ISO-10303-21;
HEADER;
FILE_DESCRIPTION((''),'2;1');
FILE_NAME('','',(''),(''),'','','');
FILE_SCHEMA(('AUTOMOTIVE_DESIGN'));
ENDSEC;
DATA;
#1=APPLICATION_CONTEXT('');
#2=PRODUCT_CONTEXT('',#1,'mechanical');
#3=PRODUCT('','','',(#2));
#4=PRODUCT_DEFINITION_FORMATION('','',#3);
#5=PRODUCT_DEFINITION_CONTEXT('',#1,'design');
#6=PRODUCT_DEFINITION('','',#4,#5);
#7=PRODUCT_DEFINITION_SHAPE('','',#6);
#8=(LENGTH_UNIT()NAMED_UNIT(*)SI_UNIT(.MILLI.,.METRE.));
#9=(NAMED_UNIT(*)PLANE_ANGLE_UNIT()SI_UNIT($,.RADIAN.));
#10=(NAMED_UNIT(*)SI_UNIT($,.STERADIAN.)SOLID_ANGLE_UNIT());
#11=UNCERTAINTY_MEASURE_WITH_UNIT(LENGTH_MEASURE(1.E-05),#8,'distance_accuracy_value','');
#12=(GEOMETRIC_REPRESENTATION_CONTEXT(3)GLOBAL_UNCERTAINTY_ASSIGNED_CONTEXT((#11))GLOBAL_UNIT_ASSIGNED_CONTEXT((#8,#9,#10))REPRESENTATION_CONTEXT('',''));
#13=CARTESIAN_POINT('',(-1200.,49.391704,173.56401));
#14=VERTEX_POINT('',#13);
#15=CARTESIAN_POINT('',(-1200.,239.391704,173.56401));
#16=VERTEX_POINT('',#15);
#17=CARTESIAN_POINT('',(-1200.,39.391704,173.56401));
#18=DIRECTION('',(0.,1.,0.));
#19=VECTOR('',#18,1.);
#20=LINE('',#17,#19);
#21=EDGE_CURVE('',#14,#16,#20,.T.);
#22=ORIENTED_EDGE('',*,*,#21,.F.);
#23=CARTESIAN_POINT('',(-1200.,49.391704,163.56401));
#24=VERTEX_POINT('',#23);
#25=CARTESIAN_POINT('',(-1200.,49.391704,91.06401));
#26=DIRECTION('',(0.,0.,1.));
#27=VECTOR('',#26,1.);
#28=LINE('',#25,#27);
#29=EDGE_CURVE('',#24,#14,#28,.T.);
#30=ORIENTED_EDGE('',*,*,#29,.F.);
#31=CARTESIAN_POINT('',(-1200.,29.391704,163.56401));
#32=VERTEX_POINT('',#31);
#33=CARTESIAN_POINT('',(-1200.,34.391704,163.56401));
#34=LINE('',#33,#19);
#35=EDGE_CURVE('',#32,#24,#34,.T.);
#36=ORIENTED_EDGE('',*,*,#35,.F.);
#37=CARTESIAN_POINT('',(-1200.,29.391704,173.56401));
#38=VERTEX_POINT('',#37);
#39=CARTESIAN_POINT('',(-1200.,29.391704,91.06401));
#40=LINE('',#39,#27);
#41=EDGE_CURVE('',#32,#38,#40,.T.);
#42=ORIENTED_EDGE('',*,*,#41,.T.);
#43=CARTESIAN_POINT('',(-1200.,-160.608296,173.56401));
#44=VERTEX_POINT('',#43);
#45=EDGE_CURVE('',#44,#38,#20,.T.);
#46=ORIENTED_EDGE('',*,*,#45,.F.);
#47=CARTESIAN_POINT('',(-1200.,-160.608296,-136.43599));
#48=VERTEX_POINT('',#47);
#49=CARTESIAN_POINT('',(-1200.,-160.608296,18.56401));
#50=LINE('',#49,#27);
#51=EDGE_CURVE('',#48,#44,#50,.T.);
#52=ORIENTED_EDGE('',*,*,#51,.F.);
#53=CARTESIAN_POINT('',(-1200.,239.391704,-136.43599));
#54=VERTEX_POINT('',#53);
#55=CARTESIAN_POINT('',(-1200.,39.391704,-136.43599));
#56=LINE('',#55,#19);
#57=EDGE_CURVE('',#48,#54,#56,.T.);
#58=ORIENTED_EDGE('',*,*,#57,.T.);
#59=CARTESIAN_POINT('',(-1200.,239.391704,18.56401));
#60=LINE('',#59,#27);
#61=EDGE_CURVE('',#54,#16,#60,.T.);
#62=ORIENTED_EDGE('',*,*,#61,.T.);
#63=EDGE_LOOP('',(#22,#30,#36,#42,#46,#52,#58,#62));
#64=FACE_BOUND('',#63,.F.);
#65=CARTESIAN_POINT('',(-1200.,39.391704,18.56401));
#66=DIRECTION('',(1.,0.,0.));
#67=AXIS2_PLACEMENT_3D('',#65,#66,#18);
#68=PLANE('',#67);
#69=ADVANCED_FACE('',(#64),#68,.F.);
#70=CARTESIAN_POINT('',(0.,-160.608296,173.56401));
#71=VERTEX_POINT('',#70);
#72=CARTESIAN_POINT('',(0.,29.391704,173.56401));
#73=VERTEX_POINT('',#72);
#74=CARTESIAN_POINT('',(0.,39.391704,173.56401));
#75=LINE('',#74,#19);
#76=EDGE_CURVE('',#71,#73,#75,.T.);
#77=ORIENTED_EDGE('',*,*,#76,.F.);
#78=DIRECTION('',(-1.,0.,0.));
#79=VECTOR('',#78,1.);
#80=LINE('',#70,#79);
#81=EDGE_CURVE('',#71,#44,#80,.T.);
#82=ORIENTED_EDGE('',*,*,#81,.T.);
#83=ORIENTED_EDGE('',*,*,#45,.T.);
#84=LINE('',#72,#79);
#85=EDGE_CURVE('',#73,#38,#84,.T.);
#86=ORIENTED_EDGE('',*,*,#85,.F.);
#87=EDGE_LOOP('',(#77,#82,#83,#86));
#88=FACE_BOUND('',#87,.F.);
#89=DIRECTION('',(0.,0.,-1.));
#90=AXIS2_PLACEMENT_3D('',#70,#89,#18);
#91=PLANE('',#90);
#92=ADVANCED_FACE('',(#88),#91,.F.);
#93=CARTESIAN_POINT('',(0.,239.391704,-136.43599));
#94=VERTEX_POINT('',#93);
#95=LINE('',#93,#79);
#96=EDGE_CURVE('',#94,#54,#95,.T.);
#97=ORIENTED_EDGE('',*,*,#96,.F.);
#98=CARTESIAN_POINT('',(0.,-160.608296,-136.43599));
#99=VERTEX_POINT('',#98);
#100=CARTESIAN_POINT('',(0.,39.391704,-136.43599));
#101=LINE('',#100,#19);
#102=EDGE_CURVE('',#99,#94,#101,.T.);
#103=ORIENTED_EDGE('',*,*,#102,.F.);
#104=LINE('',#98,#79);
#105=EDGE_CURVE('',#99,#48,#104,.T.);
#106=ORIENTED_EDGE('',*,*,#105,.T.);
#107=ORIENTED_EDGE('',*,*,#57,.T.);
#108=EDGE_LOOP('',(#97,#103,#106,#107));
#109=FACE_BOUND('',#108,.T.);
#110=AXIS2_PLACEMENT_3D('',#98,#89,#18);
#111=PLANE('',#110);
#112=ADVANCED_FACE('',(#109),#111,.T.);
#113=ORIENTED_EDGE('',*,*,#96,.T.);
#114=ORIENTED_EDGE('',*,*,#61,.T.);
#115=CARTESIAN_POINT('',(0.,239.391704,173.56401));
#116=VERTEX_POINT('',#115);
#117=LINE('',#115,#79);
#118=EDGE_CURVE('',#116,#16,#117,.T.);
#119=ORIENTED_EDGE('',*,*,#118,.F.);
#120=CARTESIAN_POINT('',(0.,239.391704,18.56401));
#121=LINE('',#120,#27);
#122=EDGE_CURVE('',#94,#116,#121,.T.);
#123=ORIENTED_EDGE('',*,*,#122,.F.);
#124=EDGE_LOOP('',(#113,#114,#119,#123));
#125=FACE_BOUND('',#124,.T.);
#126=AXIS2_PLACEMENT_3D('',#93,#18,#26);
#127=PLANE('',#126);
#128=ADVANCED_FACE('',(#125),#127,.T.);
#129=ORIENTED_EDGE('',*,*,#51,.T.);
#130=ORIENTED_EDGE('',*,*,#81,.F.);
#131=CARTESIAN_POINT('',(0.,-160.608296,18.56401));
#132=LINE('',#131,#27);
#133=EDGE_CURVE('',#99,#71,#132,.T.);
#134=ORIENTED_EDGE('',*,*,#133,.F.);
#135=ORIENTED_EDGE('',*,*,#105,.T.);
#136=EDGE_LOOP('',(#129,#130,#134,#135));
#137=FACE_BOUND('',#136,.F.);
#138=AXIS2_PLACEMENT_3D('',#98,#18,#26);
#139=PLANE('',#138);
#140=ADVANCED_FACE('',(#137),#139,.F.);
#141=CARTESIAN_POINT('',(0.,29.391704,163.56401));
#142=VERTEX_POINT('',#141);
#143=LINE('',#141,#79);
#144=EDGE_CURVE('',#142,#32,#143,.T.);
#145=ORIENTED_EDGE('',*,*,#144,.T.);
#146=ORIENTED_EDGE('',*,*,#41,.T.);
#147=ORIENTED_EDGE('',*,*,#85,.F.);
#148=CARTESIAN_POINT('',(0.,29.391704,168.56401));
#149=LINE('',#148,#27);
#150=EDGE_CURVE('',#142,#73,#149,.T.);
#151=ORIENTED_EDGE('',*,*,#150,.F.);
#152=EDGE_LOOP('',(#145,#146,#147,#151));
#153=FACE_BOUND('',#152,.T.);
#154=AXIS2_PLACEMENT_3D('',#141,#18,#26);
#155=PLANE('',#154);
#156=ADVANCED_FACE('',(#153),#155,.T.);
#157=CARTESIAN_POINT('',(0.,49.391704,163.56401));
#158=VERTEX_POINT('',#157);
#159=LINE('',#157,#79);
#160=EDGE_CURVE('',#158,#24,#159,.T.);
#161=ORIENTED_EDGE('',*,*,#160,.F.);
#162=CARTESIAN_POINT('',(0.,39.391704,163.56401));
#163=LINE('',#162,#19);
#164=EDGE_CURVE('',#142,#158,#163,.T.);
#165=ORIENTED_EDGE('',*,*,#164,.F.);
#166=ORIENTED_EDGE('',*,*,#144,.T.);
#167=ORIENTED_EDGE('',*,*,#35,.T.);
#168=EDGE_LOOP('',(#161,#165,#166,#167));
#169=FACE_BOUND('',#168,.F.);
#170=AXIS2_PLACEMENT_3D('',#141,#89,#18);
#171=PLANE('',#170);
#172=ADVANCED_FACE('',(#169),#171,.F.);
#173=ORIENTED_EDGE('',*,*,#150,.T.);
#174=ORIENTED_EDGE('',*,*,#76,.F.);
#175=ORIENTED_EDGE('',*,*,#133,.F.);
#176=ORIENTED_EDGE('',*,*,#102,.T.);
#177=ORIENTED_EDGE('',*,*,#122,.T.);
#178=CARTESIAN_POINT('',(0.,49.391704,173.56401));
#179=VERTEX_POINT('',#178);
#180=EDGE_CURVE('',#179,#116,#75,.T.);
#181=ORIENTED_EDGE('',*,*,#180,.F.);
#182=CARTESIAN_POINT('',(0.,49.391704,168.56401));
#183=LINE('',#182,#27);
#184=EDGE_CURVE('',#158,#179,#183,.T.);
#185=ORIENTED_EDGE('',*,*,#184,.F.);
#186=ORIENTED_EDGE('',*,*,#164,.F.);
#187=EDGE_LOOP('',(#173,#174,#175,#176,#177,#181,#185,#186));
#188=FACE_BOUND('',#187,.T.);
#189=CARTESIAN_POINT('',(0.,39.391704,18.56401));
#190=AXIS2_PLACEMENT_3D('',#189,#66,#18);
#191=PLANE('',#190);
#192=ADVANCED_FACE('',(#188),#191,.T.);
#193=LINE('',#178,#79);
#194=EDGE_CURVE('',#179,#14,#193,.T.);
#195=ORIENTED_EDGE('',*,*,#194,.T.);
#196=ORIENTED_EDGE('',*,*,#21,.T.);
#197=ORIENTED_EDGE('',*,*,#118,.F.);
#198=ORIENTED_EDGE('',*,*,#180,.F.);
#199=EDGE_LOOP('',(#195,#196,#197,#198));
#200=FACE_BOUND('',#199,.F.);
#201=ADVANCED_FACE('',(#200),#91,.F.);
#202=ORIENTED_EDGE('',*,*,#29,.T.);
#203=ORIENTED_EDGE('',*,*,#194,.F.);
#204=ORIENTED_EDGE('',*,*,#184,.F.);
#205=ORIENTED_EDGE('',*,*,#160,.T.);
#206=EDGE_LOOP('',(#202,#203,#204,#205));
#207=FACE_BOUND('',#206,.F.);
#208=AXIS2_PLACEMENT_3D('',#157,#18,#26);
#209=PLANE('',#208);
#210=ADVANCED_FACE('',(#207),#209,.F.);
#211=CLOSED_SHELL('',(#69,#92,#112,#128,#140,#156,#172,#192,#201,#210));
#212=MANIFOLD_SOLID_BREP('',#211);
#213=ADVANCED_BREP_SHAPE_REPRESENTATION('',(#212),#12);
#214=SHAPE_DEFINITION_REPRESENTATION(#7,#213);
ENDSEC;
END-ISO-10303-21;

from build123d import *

# Parameters (mm, degrees)
F0_W     = 400
F0_H     = 310
F1_DEPTH = 1200
F2_W     = 20
F2_H     = 10
F3_DEPTH = 1250


with BuildPart() as f1:
    # F0 (on Right) → F1 (new body)
    with BuildSketch(Plane.YZ):
        with Locations((39.391704, 18.56401)):
            Rectangle(F0_W, F0_H)
    extrude(amount=-F1_DEPTH)

    # F2 (on face) → F3 (cut)
    with BuildSketch(Plane.YZ):
        with Locations((39.391704, 168.56401)):
            Rectangle(F2_W, F2_H)
    extrude(amount=-F3_DEPTH, mode=Mode.SUBTRACT)


solid = f1.part
